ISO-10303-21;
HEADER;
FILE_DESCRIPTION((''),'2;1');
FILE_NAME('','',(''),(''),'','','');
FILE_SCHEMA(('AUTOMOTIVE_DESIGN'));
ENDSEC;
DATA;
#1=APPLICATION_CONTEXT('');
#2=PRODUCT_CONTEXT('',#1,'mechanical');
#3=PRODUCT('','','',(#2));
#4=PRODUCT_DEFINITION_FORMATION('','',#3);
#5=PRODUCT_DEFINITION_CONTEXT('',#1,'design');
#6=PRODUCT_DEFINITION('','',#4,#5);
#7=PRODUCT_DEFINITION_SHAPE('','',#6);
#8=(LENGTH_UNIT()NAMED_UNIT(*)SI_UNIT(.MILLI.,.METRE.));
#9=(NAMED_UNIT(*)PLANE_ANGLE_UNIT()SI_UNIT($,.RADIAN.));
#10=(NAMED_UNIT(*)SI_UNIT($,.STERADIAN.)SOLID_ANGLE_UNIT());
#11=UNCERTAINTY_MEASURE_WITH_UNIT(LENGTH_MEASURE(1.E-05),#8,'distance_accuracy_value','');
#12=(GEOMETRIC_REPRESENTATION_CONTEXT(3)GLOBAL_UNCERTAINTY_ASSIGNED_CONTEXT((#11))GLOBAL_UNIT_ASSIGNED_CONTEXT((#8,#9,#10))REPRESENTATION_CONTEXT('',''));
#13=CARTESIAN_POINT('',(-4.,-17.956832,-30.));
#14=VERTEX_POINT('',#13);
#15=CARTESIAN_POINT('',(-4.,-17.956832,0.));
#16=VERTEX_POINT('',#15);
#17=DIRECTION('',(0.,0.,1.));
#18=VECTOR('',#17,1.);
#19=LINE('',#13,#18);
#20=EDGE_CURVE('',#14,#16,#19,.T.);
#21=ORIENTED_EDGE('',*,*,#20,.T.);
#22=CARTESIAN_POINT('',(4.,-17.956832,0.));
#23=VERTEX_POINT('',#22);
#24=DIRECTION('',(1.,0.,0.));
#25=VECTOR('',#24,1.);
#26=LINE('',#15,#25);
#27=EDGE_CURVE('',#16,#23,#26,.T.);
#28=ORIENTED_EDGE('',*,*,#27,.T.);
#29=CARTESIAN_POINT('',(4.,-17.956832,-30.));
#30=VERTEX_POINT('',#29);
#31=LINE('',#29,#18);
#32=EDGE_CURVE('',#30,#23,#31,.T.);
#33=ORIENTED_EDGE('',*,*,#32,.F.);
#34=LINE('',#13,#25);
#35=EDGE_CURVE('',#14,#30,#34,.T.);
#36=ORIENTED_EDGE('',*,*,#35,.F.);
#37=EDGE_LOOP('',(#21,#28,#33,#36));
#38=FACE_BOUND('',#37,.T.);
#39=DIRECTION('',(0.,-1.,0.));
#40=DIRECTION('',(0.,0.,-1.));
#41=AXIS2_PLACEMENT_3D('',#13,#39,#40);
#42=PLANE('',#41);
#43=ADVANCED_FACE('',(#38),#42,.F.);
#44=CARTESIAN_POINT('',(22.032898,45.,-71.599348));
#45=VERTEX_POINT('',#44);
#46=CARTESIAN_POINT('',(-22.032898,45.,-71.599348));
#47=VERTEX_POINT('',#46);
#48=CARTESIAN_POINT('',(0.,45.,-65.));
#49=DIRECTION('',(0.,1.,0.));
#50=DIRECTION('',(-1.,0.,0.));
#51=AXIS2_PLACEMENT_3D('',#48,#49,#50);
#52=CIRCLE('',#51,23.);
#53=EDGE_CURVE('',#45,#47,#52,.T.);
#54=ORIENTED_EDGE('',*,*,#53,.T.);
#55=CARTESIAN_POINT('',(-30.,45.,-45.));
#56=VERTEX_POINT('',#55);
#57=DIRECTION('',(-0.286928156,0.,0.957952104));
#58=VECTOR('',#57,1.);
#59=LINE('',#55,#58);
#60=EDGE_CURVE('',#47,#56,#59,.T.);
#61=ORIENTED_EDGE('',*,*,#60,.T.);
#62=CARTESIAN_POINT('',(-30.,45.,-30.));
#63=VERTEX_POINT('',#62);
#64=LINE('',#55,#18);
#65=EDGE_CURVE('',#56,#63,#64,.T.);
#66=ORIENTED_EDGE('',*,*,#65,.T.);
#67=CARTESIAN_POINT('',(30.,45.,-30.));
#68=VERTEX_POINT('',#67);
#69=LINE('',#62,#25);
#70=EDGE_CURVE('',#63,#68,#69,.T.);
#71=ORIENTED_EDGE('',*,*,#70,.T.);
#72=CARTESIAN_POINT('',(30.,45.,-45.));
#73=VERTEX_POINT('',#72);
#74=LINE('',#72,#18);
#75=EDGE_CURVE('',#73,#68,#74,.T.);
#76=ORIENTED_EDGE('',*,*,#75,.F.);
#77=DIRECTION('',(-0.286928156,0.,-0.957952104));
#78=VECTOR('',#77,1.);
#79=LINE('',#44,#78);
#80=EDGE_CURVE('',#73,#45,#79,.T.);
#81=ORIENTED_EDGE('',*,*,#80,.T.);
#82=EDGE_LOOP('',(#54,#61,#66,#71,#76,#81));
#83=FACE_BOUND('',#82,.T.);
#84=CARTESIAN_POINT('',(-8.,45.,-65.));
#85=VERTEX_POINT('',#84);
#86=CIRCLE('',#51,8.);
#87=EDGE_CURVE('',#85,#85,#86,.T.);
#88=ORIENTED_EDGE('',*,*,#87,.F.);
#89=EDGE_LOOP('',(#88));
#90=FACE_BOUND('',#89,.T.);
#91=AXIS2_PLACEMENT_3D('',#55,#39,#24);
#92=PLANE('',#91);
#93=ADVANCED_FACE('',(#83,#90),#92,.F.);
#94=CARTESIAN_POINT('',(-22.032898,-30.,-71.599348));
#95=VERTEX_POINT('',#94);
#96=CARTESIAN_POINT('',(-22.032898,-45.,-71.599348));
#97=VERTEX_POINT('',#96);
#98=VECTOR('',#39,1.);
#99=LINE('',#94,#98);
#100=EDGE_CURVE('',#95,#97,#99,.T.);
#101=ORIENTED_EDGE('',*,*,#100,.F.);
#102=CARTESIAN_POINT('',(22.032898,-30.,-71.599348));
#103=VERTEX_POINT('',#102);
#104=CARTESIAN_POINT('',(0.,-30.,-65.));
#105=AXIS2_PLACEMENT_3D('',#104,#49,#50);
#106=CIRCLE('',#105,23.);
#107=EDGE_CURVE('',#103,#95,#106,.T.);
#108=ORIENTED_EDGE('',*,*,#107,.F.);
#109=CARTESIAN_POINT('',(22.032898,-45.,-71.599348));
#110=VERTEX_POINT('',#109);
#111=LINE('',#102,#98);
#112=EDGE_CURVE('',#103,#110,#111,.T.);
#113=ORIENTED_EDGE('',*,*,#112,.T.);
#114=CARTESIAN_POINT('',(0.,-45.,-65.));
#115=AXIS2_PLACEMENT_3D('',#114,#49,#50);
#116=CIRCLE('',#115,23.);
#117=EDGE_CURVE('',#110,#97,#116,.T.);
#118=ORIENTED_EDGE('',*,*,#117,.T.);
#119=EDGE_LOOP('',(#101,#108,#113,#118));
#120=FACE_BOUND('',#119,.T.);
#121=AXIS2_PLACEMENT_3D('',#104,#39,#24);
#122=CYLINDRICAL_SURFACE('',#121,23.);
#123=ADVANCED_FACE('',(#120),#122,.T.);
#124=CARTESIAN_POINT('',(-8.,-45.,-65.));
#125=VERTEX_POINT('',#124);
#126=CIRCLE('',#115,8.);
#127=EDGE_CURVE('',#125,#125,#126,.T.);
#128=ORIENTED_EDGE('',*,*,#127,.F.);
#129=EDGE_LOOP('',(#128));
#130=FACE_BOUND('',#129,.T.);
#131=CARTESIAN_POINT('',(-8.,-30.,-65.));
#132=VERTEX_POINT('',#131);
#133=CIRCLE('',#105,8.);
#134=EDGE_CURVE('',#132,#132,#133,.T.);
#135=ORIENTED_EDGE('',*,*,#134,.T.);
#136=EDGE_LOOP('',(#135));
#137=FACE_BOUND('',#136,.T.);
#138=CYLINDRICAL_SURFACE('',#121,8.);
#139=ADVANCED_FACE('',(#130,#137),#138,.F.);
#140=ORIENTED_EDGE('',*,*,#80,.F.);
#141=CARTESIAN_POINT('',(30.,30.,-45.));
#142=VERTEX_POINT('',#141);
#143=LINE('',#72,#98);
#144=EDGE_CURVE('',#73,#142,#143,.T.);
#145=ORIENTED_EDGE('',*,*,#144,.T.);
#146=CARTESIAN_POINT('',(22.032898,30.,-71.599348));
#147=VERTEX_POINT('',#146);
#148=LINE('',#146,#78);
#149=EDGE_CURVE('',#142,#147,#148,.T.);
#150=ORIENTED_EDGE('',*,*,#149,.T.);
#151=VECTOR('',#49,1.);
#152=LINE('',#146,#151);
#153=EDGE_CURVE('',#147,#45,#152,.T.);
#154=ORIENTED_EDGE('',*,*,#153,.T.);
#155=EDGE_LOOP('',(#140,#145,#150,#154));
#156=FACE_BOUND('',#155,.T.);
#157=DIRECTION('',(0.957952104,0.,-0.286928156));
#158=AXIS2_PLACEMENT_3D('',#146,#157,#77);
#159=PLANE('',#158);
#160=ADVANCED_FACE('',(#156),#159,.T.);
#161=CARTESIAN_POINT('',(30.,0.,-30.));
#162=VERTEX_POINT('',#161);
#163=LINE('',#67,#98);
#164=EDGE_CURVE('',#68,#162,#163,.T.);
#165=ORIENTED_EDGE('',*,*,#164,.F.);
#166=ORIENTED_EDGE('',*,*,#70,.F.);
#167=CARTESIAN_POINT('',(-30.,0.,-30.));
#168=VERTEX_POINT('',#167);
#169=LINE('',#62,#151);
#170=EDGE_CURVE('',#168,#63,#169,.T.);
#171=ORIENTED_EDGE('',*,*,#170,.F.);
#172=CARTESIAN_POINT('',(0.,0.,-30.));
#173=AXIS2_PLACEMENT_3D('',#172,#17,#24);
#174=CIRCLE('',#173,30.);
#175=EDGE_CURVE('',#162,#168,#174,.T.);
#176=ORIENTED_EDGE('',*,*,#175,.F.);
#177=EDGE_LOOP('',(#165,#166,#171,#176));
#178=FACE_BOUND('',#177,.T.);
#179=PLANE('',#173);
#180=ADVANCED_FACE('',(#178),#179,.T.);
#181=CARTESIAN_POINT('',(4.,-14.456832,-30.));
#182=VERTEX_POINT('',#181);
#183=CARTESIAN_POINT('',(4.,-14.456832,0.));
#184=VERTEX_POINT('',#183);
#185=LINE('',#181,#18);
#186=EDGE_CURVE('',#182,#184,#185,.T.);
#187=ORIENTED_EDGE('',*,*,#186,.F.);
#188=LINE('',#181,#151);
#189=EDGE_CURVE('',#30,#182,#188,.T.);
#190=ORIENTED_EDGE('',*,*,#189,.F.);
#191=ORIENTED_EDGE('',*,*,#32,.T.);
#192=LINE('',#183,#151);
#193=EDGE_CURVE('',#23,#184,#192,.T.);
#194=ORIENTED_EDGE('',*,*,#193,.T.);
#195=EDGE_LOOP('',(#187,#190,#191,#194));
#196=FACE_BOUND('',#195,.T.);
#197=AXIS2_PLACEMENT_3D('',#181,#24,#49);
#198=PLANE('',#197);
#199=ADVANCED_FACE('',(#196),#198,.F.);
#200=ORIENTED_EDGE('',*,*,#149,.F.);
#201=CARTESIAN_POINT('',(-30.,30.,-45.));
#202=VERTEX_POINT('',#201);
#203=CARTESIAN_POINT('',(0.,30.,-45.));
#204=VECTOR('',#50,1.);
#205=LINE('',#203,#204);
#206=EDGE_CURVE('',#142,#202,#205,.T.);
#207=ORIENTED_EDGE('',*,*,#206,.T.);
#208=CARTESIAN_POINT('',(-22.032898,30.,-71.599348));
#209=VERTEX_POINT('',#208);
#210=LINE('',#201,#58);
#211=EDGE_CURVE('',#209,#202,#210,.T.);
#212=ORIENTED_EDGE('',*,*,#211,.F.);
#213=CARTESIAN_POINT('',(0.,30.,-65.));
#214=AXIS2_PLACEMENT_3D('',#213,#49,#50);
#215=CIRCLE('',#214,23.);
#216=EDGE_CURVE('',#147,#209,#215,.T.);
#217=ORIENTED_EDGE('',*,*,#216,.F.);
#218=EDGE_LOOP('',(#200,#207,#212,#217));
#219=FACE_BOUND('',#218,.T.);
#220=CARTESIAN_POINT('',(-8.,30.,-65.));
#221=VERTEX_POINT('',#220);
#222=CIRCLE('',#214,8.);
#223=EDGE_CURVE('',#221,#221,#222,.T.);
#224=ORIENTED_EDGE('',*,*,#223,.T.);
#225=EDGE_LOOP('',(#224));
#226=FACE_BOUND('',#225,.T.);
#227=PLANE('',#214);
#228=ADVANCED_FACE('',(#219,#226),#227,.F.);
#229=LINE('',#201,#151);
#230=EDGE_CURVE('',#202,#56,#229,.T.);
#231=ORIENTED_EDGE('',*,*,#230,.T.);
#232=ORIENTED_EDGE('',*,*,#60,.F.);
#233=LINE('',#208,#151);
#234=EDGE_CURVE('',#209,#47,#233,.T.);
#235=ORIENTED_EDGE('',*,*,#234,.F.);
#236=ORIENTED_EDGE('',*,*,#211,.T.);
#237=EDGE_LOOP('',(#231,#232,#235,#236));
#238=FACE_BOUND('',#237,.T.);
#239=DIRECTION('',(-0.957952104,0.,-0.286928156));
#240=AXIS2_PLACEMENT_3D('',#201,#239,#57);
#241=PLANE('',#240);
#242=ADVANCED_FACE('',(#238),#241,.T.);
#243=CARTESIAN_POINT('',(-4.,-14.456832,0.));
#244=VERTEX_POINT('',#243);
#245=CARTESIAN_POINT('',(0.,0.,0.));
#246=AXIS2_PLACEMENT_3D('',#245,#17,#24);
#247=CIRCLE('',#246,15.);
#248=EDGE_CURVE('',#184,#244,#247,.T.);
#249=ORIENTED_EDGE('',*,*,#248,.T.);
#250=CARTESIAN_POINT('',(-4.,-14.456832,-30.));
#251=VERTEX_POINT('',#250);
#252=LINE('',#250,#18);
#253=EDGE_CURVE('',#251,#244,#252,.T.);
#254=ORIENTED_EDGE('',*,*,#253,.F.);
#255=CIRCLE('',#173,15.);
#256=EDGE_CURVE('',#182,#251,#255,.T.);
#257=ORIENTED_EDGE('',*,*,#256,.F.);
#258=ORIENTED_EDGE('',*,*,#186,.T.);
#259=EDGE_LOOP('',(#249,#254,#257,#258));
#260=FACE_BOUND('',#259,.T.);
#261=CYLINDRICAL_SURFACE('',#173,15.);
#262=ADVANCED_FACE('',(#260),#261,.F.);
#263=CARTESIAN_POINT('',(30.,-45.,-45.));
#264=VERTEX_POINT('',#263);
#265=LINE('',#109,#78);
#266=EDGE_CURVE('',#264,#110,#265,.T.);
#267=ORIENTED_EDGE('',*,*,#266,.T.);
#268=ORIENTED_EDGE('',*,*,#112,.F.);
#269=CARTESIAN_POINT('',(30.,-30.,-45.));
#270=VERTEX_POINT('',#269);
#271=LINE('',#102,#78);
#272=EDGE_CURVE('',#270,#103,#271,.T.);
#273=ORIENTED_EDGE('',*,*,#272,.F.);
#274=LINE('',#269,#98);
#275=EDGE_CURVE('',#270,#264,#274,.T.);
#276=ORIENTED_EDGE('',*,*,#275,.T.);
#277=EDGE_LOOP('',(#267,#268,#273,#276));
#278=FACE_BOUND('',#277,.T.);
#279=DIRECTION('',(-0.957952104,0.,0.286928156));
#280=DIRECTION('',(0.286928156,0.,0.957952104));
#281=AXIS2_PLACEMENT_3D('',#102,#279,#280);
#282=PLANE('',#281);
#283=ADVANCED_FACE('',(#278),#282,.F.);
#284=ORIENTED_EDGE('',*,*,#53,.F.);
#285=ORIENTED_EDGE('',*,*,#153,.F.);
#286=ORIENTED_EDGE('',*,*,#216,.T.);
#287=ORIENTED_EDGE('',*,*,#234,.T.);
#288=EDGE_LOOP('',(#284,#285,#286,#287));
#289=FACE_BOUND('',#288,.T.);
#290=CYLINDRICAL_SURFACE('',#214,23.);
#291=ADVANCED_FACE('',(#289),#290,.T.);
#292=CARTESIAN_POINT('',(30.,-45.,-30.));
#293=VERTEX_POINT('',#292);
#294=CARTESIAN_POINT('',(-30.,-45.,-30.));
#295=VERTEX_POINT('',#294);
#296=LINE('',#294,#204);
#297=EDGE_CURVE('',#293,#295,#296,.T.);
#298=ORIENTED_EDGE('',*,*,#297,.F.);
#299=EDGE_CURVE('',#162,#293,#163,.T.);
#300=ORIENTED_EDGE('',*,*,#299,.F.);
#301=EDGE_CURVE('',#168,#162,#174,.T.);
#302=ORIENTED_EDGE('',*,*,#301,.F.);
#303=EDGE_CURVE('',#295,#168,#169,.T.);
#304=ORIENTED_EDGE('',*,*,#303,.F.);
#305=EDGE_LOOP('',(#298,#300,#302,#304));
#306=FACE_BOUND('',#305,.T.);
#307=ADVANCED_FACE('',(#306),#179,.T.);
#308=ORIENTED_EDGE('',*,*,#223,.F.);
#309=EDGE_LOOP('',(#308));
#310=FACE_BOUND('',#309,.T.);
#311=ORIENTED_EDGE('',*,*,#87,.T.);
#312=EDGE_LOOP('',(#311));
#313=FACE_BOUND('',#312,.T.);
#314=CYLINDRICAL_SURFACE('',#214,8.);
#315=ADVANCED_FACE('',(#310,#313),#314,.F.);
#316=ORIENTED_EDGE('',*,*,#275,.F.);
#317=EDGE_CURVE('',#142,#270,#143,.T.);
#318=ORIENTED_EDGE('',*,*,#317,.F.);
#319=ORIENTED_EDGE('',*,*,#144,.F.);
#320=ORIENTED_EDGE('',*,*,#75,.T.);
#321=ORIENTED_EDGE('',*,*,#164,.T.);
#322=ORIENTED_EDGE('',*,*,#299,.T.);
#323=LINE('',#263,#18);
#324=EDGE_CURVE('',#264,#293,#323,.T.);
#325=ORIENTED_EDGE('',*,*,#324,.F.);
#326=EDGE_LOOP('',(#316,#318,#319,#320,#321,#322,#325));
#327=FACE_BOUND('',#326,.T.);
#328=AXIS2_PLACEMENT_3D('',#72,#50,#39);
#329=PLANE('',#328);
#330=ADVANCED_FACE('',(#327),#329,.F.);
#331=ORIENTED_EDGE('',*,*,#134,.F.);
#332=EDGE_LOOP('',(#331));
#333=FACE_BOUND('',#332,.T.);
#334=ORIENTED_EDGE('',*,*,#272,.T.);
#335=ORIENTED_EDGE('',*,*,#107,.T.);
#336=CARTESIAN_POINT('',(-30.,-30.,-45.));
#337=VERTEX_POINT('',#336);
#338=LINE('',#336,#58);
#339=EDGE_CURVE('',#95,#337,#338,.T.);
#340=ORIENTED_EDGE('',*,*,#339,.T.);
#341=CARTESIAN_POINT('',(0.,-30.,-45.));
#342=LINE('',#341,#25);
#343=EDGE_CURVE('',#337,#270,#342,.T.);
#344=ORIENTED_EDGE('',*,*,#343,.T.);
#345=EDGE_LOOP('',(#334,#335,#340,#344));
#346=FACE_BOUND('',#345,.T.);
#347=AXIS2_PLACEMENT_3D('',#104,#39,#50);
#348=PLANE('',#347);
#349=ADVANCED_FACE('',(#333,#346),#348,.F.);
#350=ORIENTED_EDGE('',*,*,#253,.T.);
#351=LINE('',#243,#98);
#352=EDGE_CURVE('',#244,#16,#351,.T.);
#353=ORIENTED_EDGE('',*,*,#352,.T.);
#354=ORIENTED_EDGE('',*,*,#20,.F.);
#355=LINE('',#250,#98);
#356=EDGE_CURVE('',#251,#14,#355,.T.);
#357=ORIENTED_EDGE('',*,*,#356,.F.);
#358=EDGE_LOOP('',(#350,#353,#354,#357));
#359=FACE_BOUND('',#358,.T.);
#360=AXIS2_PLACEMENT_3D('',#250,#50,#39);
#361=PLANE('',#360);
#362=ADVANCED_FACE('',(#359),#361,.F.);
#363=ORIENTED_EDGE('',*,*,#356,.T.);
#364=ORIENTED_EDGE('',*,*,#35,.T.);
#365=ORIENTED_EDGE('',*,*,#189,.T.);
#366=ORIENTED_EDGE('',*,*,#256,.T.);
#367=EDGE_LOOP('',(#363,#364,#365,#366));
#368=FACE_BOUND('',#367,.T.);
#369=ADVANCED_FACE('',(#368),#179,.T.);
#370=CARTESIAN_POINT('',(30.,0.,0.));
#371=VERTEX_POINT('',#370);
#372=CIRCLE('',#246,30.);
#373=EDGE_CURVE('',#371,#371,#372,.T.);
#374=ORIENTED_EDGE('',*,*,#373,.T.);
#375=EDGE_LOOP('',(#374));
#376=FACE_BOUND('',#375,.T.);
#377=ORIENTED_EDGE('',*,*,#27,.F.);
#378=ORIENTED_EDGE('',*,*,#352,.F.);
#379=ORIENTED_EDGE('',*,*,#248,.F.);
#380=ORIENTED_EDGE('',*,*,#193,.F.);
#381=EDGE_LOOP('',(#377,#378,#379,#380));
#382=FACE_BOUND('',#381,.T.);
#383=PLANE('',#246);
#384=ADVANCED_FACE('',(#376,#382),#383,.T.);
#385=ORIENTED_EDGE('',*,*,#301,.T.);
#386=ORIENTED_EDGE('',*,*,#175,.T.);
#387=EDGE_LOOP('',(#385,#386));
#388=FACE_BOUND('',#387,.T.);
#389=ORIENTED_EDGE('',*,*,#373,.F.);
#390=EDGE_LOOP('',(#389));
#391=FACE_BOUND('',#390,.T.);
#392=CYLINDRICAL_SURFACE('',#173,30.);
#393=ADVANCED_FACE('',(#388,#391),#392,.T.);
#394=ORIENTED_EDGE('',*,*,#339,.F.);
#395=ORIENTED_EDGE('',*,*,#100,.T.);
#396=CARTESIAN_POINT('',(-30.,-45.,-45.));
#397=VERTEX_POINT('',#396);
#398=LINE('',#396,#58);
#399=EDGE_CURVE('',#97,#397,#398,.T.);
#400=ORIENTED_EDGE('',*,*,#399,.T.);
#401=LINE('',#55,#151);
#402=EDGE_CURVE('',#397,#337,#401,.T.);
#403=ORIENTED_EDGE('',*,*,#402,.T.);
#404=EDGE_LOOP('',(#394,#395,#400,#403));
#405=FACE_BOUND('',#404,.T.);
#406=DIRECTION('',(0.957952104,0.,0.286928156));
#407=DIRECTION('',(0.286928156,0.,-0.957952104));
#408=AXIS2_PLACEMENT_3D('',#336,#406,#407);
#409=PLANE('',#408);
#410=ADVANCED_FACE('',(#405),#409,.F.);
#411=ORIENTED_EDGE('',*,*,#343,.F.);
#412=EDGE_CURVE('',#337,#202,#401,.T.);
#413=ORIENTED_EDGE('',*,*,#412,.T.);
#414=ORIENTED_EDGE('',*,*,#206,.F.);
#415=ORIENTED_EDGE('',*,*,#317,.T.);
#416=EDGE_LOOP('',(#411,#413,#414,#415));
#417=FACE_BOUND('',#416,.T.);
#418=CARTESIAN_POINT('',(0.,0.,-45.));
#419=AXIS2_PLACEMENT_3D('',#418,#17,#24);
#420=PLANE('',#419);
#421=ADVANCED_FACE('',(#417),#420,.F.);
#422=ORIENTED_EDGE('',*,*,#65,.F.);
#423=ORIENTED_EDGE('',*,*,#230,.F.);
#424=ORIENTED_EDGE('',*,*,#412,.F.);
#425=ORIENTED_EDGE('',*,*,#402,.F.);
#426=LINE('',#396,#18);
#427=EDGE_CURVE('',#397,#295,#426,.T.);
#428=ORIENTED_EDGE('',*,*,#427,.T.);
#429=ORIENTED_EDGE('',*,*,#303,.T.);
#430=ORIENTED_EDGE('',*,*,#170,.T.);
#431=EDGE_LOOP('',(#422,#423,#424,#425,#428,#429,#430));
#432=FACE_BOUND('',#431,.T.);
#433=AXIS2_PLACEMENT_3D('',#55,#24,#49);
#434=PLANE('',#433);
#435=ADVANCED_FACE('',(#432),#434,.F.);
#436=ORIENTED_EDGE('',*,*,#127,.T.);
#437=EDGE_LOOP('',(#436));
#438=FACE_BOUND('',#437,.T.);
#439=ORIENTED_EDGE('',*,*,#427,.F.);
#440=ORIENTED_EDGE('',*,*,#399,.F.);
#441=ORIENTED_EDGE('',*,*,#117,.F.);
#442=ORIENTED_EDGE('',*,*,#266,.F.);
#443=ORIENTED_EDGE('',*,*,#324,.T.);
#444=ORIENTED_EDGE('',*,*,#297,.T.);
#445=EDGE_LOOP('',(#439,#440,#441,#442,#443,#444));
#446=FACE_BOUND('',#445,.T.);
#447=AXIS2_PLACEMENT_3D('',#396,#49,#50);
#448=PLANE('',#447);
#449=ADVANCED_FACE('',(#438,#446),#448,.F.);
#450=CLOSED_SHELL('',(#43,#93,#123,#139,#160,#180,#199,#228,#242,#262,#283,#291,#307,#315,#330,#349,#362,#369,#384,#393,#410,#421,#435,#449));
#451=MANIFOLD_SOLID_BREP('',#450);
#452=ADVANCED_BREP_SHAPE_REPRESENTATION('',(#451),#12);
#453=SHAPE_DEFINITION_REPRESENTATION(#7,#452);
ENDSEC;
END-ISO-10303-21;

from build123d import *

# Parameters (mm, degrees)
SKETCH1_R           = 30
BOSS_EXTRUDE1_DEPTH = 30
SKETCH2_W           = 60
SKETCH2_H           = 90
BOSS_EXTRUDE2_DEPTH = 15
SKETCH3_R           = 8
BOSS_EXTRUDE3_DEPTH = 15


with BuildPart() as part:
    # Sketch1 → Boss-Extrude1 (new body)
    with BuildSketch(Plane.XY):
        Circle(SKETCH1_R)
        with BuildLine():
            Line((-4, -14.456832295), (-4, -17.956832295))
            Line((-4, -17.956832295), (4, -17.956832295))
            Line((4, -17.956832295), (4, -14.456832295))
            ThreePointArc((4, -14.456832295), (0, 15), (-4, -14.456832295))
        make_face(mode=Mode.SUBTRACT)
    extrude(amount=-BOSS_EXTRUDE1_DEPTH)

    # Sketch2 → Boss-Extrude2 (add)
    with BuildSketch(Plane(origin=(0, 0, -30), x_dir=(-1, 0, 0), z_dir=(0, 0, -1))):
        Rectangle(SKETCH2_W, SKETCH2_H)
    extrude(amount=BOSS_EXTRUDE2_DEPTH)

    # Sketch3 → Boss-Extrude3 (add)
    with BuildSketch(Plane(origin=(0, 45, 0), x_dir=(1, 0, 0), z_dir=(0, 1, 0))):
        with BuildLine():
            Line((22.03289839, 71.599347585), (30, 45))
            Line((30, 45), (30, 30))
            Line((30, 30), (-30, 30))
            Line((-30, 30), (-30, 45))
            Line((-30, 45), (-22.03289839, 71.599347585))
            ThreePointArc((-22.03289839, 71.599347585), (0, 88), (22.03289839, 71.599347585))
        make_face()
        with Locations(Location((0, 65, 0), (0, 0, 180))):
            Circle(SKETCH3_R, mode=Mode.SUBTRACT)
    boss_extrude3 = extrude(amount=-BOSS_EXTRUDE3_DEPTH)

    # Mirror1: Boss-Extrude3 across plane
    add(boss_extrude3.mirror(Plane.ZX))


solid = part.part
